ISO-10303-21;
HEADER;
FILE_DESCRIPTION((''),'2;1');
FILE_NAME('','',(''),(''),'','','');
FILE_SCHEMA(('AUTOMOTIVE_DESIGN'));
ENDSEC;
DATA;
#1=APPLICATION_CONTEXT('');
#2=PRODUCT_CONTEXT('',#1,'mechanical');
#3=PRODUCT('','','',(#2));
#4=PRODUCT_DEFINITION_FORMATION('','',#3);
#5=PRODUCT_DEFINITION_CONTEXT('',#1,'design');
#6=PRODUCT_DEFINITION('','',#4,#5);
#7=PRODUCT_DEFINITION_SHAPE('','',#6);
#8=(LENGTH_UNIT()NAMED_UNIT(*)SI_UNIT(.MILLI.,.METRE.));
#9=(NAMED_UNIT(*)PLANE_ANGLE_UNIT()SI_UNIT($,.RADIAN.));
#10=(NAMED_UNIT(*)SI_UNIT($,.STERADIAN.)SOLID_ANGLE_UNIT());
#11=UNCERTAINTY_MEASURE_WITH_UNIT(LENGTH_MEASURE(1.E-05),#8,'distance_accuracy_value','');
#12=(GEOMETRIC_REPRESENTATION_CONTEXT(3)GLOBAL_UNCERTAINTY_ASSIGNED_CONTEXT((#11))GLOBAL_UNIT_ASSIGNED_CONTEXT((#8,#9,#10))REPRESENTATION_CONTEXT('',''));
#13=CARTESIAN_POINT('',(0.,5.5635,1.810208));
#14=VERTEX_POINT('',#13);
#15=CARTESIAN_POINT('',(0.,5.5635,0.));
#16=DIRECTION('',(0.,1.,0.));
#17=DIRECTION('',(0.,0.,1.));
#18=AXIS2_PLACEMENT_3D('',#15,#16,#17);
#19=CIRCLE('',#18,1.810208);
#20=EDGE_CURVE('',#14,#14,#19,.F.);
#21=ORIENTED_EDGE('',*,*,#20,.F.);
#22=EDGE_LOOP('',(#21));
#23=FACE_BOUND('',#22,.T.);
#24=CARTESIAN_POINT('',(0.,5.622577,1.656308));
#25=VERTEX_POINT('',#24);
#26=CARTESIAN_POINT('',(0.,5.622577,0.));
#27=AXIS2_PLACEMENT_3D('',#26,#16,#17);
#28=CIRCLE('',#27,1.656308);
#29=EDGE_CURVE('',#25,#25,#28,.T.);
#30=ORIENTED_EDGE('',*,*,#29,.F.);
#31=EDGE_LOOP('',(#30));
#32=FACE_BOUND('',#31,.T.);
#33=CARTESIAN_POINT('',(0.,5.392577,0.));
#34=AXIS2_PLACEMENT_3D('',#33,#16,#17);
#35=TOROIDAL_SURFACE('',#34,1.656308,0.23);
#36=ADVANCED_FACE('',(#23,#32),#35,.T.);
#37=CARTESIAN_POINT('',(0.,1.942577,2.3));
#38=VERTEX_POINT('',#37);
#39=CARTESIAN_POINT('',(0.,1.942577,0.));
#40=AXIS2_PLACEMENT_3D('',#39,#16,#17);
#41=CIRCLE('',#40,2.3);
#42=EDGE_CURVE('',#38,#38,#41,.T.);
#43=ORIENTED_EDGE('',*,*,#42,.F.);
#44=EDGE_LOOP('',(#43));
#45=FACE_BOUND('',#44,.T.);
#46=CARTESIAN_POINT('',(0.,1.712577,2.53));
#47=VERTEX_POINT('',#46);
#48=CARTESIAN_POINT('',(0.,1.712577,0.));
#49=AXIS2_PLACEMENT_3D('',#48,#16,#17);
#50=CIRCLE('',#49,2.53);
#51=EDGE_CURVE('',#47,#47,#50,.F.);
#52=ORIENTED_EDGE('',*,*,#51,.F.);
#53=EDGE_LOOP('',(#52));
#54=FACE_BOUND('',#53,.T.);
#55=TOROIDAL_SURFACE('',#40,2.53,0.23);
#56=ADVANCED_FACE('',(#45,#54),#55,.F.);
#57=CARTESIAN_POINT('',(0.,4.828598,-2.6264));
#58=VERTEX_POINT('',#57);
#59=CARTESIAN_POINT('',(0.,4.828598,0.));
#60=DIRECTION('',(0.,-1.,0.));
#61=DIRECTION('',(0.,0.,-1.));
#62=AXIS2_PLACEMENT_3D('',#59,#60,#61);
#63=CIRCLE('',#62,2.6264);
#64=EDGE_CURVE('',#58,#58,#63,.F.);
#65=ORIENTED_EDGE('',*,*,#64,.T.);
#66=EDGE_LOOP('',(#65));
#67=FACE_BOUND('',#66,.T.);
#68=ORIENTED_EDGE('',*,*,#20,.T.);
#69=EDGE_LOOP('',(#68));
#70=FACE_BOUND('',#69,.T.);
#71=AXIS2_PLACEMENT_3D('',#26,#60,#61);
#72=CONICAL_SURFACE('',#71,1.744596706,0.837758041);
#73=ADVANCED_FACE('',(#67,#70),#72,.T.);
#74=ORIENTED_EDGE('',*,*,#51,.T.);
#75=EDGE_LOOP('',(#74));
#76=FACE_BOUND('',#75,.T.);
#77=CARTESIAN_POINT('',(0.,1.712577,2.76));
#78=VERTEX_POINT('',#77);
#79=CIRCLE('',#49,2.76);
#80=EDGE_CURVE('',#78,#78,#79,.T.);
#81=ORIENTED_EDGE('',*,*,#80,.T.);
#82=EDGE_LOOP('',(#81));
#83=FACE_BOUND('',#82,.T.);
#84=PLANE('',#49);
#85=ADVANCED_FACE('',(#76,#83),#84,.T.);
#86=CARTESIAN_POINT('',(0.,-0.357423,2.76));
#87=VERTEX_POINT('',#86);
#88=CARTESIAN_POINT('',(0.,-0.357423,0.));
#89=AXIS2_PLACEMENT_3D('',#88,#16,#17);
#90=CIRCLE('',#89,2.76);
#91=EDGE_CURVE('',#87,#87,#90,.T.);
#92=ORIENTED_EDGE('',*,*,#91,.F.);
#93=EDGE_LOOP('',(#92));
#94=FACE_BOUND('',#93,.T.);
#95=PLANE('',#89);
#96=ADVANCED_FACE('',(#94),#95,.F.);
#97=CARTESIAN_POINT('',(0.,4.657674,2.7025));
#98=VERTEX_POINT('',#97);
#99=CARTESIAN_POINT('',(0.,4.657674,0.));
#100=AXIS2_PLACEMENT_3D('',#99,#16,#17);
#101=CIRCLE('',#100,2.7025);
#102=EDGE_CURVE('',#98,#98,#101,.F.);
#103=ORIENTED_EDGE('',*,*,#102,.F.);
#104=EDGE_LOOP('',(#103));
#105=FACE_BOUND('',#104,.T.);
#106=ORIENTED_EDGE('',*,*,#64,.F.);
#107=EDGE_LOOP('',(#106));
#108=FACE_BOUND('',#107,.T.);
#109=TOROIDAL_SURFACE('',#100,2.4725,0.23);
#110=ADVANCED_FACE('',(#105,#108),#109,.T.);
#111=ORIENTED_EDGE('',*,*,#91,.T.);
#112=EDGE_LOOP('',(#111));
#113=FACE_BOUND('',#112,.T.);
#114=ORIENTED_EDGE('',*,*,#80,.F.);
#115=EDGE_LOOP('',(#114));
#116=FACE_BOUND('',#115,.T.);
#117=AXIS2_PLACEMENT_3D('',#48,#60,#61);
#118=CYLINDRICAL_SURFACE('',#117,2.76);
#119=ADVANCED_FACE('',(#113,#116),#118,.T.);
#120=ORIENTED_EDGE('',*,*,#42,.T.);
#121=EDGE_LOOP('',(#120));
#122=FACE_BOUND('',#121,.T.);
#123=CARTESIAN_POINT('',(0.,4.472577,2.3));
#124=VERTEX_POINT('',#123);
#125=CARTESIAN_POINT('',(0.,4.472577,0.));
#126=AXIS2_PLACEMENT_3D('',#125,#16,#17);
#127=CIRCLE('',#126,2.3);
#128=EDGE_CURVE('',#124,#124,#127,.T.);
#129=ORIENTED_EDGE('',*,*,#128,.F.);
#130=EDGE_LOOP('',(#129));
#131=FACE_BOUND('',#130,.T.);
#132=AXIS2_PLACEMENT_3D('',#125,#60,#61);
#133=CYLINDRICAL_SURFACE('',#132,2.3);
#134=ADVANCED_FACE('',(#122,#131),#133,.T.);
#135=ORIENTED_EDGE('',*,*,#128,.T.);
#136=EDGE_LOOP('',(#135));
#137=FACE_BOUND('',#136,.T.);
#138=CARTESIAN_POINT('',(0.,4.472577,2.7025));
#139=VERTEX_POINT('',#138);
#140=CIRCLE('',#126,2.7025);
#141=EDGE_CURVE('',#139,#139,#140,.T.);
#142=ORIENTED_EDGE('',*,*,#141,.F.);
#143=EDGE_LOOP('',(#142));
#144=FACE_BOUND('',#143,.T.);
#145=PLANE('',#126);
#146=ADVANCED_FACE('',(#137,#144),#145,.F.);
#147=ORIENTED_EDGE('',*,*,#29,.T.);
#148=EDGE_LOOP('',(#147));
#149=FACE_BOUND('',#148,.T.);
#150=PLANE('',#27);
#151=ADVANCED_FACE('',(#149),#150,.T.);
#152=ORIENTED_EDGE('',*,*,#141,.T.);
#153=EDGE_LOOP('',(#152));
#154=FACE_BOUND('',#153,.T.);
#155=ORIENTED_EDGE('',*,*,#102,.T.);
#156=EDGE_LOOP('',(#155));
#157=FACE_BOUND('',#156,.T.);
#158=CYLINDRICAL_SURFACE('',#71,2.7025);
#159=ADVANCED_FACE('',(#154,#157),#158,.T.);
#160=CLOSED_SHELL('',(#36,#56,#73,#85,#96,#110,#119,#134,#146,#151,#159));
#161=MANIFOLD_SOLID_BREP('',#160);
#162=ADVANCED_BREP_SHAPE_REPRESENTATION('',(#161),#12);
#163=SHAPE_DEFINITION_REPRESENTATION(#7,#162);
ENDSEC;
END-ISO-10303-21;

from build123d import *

# Parameters (mm, degrees)
SKETCH1_R           = 2.4
BOSS_EXTRUDE1_DEPTH = 1.8
SKETCH2_R           = 2
BOSS_EXTRUDE2_DEPTH = 2.4
SKETCH3_R           = 2.35
BOSS_EXTRUDE3_DEPTH = 1
CHAMFER1_SIZE       = 0.75
CHAMFER1_SIZE2      = 0.832959386
FILLET1_R           = 0.2
SCALE1_SCALE        = 1.15


with BuildPart() as part:
    # Sketch1 → Boss-Extrude1 (new body)
    with BuildSketch(Plane(origin=(0, 0, 0), x_dir=(1, 0, 0), z_dir=(0, 1, 0))):
        Circle(SKETCH1_R)
    extrude(amount=BOSS_EXTRUDE1_DEPTH)

    # Sketch2 → Boss-Extrude2 (add)
    with BuildSketch(Plane(origin=(0, 1.8, 0), x_dir=(1, 0, 0), z_dir=(0, 1, 0))):
        Circle(SKETCH2_R)
    extrude(amount=BOSS_EXTRUDE2_DEPTH)

    # Sketch3 → Boss-Extrude3 (add)
    with BuildSketch(Plane(origin=(0, 4.2, 0), x_dir=(1, 0, 0), z_dir=(0, 1, 0))):
        Circle(SKETCH3_R)
    extrude(amount=BOSS_EXTRUDE3_DEPTH)

    # Chamfer1
    chamfer1_edges = [part.edges().sort_by_distance(p)[0] for p in [
        (-2.35, 5.2, 0),
    ]]
    chamfer1_side = [part.faces().sort_by_distance(p)[0] for p in [
        (-2.35, 4.7, 0),
    ]]
    chamfer(chamfer1_edges, length=CHAMFER1_SIZE, length2=CHAMFER1_SIZE2, reference=chamfer1_side[0])

    # Fillet1
    fillet1_edges = [part.edges().sort_by_distance(p)[0] for p in [
        (-1.517040614, 5.2, 0),
        (-2.35, 4.45, 0),
        (-2, 1.8, 0),
    ]]
    fillet(fillet1_edges, radius=FILLET1_R)


with BuildPart() as part_1:
    # Scale1: scaled about (-4.5e-08, 2.382820286, 0)
    add(part.part.scale(SCALE1_SCALE).moved(Location((7e-09, -0.357423043, 0))))


solid = part_1.part
